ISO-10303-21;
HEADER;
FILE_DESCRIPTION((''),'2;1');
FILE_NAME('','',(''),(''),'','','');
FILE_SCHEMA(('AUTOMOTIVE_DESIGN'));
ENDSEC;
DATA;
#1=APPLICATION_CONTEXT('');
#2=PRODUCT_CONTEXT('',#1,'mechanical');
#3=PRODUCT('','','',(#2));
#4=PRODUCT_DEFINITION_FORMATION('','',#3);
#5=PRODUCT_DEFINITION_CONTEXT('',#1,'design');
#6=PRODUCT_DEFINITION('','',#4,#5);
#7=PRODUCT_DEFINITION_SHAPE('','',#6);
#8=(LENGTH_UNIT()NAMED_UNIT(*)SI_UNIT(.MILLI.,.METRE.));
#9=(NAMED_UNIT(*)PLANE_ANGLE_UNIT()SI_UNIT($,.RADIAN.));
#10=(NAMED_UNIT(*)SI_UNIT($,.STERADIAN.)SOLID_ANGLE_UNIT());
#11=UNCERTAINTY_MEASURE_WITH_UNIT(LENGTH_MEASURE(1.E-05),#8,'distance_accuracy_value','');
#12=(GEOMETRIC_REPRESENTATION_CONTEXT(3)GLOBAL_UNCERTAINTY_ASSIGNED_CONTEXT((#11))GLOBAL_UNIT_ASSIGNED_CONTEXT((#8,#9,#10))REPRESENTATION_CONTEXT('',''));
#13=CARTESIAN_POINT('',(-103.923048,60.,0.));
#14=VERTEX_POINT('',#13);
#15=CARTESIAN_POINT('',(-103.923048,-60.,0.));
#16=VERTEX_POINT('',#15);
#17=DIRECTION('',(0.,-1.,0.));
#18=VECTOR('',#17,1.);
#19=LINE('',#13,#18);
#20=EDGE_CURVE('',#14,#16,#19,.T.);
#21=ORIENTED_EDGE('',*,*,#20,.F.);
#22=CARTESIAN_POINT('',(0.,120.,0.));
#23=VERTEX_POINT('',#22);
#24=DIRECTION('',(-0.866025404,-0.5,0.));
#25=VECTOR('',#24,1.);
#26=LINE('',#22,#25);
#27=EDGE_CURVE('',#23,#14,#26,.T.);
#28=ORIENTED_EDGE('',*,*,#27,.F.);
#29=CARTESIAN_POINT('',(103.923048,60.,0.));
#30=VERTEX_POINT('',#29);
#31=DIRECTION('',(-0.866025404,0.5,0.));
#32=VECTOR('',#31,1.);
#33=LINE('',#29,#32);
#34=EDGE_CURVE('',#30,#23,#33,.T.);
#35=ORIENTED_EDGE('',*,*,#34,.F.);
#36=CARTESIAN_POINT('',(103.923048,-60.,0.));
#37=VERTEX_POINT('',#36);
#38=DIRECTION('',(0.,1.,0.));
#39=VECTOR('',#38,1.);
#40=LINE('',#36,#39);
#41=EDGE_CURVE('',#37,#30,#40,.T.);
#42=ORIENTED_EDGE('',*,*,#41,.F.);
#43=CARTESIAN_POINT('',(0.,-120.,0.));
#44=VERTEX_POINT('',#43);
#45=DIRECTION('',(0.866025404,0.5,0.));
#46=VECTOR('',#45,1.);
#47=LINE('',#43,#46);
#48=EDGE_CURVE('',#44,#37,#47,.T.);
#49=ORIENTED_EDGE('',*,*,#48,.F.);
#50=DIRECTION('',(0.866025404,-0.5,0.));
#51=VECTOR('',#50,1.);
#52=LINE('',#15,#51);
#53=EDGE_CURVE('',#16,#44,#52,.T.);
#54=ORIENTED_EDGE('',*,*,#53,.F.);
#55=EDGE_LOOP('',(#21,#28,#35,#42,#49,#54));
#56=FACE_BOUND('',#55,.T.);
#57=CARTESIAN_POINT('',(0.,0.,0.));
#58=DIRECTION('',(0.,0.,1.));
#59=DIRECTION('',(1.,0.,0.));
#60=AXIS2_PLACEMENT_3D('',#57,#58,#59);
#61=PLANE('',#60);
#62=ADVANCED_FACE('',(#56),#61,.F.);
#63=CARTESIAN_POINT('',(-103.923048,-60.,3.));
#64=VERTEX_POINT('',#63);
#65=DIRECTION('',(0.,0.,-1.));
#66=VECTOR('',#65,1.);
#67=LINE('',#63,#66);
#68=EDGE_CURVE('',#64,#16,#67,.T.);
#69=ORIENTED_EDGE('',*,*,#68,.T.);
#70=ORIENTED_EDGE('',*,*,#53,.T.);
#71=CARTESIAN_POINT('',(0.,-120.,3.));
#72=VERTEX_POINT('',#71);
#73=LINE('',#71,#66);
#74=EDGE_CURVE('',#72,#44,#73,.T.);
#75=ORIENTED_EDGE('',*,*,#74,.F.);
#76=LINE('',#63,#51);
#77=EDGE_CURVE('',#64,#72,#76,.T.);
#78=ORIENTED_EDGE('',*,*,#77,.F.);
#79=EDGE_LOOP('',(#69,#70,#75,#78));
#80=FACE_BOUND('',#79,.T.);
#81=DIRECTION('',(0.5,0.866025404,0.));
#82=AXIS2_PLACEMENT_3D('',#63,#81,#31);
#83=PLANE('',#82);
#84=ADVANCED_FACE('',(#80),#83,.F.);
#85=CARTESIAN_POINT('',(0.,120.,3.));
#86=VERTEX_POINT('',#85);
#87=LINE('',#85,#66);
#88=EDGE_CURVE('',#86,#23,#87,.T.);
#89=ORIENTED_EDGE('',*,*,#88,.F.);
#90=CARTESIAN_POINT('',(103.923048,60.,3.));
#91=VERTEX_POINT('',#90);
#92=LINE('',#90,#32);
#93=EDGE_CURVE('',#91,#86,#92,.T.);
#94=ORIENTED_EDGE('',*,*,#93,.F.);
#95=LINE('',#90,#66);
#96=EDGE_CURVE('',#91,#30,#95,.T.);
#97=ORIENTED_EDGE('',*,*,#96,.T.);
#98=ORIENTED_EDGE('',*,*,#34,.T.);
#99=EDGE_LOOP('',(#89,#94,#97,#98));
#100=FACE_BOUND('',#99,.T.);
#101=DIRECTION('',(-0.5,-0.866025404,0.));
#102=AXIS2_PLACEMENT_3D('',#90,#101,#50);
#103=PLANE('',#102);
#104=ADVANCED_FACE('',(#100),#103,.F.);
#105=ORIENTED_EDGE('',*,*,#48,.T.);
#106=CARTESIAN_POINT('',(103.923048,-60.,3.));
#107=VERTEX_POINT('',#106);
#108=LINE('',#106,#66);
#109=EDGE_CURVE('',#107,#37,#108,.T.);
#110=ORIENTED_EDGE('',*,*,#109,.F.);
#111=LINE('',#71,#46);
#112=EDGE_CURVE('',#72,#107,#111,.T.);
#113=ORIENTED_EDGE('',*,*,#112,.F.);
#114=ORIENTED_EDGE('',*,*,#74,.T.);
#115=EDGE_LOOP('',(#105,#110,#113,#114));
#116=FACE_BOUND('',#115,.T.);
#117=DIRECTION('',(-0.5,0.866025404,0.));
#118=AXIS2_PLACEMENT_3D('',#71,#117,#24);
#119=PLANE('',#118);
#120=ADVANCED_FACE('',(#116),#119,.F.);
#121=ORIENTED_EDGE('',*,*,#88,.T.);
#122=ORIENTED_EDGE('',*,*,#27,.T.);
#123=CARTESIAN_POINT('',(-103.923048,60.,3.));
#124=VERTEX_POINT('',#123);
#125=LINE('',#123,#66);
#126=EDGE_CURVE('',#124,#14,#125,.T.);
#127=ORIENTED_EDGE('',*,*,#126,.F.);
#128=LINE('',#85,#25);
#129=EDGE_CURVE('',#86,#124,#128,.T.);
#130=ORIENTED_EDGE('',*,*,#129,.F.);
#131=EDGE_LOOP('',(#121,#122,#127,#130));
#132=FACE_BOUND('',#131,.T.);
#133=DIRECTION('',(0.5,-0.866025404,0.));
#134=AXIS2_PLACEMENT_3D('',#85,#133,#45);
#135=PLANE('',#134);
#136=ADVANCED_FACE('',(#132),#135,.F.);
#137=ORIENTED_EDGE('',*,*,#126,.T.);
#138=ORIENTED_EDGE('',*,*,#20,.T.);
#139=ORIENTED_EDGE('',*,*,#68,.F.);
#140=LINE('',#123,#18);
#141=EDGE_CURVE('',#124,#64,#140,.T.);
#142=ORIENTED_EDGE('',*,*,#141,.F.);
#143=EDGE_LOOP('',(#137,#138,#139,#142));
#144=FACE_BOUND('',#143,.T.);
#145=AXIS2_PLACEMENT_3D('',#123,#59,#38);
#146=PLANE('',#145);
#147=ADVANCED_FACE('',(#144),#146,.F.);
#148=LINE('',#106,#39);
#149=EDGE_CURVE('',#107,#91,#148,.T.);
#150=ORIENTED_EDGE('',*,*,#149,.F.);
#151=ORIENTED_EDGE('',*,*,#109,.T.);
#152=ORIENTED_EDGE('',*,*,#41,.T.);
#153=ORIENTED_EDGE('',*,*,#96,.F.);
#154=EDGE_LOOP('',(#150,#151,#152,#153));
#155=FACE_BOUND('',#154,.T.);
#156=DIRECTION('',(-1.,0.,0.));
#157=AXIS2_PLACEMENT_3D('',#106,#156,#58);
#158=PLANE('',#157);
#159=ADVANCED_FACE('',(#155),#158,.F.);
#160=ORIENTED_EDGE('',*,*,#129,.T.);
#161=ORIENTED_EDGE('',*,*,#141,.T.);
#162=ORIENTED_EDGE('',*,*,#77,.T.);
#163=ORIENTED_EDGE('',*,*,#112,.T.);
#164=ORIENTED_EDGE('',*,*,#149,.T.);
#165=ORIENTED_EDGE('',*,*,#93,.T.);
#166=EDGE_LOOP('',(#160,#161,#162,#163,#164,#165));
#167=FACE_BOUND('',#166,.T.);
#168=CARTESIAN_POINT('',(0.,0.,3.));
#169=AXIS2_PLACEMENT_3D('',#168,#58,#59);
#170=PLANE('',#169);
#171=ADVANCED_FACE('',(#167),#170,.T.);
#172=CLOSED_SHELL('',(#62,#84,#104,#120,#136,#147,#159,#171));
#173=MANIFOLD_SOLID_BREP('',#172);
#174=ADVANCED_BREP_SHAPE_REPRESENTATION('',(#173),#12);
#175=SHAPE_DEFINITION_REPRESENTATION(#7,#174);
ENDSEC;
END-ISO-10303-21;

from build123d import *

# Parameters (mm, degrees)
RESSALTO_EXTRUS_O1_DEPTH = 3


with BuildPart() as part:
    # Esboço1 → Ressalto-extrusão1 (new body)
    with BuildSketch(Plane.XY):
        Polygon((0, 120), (-103.923048454, 60), (-103.923048454, -60), (0, -120), (103.923048454, -60), (103.923048454, 60), align=None)
    extrude(amount=RESSALTO_EXTRUS_O1_DEPTH)


solid = part.part
